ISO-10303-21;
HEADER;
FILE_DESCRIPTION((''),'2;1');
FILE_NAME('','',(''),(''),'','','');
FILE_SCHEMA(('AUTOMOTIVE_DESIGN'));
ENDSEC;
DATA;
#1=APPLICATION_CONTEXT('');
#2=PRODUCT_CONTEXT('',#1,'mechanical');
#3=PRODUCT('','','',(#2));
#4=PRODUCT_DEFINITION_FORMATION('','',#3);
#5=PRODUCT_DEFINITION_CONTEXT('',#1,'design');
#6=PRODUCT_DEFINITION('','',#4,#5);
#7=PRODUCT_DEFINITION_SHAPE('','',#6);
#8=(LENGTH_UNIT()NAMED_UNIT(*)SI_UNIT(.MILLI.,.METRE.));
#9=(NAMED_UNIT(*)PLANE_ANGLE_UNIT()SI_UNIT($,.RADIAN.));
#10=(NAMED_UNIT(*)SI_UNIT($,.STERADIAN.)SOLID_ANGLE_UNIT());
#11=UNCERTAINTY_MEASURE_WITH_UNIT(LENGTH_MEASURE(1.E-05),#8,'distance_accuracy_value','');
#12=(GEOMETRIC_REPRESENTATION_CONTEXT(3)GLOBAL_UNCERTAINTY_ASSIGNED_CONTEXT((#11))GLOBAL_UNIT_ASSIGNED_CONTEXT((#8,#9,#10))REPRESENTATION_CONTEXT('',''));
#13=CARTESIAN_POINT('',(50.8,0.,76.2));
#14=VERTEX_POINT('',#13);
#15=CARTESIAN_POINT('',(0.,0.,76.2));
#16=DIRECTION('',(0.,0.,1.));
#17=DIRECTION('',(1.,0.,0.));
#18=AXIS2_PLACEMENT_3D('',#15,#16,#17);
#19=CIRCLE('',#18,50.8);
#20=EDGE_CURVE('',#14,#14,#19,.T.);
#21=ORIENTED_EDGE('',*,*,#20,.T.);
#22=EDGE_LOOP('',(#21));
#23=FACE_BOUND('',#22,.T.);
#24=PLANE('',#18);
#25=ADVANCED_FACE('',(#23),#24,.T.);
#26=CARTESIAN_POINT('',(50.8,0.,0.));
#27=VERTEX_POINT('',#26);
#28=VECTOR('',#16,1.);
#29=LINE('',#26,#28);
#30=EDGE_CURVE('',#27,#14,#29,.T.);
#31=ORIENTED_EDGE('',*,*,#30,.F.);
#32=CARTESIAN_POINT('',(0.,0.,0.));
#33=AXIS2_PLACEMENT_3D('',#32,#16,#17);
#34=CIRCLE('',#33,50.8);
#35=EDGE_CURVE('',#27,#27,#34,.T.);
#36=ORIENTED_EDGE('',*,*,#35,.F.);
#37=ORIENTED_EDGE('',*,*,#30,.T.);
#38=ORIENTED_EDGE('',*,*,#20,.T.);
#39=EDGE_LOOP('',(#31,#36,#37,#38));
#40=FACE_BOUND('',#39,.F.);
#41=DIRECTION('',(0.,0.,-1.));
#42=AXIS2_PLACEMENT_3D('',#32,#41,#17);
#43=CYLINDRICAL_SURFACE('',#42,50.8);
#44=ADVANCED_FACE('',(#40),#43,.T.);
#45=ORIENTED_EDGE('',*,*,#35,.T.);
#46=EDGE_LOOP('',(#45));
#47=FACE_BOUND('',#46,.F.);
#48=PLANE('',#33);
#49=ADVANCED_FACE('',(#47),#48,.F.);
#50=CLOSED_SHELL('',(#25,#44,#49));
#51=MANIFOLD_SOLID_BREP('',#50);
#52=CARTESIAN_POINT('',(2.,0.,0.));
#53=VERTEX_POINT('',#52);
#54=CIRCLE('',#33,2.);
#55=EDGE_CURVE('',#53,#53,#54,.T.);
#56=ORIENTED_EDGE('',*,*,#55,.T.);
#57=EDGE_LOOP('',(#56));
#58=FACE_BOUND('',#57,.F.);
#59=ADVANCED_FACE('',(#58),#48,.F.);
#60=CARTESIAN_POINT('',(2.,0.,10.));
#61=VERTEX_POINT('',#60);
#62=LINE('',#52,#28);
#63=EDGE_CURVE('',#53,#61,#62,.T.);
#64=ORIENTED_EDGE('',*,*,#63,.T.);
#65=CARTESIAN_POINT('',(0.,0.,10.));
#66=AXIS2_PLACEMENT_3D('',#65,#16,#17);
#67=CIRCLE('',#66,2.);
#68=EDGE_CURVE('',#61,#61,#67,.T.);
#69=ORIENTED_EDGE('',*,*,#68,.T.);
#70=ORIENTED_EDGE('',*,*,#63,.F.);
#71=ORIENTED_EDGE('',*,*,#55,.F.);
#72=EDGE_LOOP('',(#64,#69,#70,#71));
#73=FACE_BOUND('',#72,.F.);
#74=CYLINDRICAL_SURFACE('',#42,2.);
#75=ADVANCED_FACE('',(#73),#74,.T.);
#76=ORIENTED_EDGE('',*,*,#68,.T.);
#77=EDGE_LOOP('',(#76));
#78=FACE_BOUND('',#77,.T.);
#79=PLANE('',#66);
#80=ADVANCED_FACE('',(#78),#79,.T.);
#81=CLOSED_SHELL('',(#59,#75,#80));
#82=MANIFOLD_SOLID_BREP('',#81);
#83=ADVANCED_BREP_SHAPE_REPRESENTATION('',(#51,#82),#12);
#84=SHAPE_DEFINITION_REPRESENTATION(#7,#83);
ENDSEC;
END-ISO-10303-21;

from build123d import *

# Parameters (mm, degrees)
CYLINDER_R        = 50.8
CYLINDER_DEPTH    = 76.2
CYLINDER001_R     = 2
CYLINDER001_DEPTH = 10


with BuildPart() as cylinder:
    # Cylinder → Cylinder (new body)
    with BuildSketch(Plane.XY):
        Circle(CYLINDER_R)
    extrude(amount=CYLINDER_DEPTH)


with BuildPart() as cylinder001:
    # Cylinder001 → Cylinder001 (new body)
    with BuildSketch(Plane.XY):
        Circle(CYLINDER001_R)
    extrude(amount=CYLINDER001_DEPTH)


solid = Compound([cylinder.part, cylinder001.part])
